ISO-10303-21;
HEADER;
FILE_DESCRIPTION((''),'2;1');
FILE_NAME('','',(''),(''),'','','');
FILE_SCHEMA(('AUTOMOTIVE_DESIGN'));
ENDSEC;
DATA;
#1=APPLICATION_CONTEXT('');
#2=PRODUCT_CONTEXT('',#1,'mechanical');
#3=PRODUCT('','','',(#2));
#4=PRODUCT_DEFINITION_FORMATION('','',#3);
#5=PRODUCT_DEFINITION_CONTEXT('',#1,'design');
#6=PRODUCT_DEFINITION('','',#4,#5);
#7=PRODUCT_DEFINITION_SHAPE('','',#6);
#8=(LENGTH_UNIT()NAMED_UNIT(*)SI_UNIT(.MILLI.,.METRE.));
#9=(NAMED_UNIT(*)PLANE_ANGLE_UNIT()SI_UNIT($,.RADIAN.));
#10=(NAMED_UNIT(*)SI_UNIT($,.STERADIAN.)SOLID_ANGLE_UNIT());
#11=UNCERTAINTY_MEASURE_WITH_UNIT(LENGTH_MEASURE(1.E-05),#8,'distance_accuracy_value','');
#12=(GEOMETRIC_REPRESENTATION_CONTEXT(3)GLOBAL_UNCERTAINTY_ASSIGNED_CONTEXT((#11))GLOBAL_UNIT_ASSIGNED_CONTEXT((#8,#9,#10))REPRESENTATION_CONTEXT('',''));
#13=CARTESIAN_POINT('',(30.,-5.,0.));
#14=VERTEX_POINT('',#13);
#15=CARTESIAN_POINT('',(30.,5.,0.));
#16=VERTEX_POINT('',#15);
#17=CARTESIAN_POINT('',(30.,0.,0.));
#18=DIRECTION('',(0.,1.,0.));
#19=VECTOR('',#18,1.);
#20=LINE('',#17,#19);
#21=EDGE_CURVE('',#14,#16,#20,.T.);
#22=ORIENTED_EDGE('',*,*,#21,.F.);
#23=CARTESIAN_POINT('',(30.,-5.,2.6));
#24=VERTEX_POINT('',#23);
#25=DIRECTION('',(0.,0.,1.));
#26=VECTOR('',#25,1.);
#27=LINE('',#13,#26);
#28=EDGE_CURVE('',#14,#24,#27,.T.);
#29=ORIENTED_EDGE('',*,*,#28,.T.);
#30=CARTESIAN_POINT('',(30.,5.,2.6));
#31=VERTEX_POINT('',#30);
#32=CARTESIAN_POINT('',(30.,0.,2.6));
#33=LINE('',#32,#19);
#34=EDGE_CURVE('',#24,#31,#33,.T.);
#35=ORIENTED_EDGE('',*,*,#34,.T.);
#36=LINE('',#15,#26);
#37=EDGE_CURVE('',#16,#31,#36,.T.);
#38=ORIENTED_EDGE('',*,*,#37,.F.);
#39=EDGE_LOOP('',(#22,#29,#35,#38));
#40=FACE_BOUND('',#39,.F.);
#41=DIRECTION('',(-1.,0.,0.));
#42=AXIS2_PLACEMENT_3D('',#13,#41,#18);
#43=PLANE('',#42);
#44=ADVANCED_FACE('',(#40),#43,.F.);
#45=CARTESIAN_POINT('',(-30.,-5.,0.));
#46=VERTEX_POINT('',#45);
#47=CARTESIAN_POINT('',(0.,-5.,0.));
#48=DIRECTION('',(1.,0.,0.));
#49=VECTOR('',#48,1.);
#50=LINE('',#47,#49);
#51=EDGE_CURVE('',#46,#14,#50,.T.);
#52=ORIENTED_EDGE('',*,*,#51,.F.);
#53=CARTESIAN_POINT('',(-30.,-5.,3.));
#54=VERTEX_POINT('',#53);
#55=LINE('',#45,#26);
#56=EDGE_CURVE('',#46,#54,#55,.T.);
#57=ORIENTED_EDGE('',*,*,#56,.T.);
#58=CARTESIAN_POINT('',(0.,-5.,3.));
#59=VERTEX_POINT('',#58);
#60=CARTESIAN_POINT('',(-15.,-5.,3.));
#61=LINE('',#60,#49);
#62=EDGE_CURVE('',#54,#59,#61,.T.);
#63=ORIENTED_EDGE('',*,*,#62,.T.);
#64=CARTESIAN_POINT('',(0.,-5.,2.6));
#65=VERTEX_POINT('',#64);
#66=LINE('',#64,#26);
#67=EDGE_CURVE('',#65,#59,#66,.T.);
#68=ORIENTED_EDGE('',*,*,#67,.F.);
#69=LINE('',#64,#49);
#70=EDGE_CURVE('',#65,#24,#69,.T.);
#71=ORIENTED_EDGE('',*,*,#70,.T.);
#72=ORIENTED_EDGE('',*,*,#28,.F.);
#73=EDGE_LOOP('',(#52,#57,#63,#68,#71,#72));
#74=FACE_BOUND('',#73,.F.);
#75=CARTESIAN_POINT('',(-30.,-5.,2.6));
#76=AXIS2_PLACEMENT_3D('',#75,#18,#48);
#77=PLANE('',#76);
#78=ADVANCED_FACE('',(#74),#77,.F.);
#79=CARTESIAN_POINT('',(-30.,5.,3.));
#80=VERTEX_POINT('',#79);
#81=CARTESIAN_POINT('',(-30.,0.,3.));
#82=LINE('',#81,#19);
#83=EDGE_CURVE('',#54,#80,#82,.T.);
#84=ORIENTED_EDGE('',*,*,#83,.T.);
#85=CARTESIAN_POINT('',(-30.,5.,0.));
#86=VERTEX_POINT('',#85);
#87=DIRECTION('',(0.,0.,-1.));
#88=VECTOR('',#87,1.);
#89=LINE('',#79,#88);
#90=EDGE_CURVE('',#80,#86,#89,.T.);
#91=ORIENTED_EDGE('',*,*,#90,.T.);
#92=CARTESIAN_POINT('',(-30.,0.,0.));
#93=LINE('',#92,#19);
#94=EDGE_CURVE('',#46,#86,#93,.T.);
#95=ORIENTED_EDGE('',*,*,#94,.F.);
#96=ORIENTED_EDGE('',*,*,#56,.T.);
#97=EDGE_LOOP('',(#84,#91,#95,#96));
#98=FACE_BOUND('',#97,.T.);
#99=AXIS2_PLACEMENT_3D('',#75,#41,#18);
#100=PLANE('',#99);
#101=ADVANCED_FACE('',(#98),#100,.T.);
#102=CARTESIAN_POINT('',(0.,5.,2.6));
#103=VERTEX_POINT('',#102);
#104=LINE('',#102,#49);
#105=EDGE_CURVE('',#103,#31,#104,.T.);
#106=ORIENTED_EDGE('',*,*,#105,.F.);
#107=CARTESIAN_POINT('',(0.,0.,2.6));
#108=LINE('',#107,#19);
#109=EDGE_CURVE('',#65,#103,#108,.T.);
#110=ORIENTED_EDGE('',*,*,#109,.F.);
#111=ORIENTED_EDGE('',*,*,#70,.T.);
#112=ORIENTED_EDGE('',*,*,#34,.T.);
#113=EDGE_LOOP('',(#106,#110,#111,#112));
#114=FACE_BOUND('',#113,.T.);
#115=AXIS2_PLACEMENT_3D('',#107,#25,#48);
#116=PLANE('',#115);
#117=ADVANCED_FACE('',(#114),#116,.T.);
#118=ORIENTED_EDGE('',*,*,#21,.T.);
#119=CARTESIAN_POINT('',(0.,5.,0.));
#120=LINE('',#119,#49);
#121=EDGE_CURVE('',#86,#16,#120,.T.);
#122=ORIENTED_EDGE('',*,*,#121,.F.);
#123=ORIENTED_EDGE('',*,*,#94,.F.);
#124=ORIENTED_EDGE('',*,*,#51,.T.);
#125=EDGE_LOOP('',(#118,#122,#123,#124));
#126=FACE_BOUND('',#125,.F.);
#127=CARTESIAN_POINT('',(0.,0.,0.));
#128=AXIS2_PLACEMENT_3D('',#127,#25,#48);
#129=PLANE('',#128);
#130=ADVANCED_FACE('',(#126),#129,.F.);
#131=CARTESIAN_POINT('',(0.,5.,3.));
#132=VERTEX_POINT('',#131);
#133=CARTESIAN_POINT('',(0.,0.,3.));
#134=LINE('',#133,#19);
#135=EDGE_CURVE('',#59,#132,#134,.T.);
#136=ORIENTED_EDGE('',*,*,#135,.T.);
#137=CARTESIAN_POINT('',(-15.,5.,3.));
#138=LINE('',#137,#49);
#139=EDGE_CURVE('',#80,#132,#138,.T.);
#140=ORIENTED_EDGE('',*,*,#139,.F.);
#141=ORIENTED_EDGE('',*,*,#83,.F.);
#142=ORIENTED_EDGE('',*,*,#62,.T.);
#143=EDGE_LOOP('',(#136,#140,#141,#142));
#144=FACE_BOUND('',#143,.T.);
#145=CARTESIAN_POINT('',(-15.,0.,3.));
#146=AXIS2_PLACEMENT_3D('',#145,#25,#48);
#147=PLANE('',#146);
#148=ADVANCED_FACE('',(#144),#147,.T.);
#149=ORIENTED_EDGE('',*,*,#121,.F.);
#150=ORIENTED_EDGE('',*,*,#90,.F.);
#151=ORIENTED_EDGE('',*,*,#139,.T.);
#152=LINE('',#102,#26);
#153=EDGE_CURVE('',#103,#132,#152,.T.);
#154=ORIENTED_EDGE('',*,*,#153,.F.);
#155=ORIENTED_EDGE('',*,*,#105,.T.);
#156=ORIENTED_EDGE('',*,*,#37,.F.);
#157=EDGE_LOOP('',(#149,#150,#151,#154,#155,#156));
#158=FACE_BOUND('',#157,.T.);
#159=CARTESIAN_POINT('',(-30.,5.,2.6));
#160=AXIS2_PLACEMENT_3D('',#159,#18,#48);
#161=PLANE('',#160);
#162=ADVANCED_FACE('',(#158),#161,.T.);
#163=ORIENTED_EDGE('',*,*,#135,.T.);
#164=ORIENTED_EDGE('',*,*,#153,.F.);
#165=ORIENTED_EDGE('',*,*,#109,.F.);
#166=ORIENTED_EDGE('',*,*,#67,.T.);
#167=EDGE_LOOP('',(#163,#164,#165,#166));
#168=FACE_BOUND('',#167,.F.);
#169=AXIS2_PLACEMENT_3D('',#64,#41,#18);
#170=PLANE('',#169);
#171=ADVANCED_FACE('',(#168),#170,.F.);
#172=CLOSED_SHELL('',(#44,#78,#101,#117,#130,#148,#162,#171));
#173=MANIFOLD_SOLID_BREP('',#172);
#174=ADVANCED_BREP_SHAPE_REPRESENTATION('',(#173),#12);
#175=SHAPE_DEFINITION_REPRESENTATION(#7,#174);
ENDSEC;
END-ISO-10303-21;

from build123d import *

# Parameters (mm, degrees)
SKETCH_W     = 60
SKETCH_H     = 10
PAD_DEPTH    = 2.6
SKETCH001_W  = 30
SKETCH001_H  = 10
PAD001_DEPTH = 0.4


with BuildPart() as part:
    # Sketch (on XY_Plane of Origin) → Pad (new body)
    with BuildSketch(Plane.XY):
        Rectangle(SKETCH_W, SKETCH_H)
    extrude(amount=PAD_DEPTH)

    # Sketch001 (on Face6 of Pad) → Pad001 (join)
    with BuildSketch(Plane.XY.offset(2.6)):
        with Locations((-15, 0)):
            Rectangle(SKETCH001_W, SKETCH001_H)
    extrude(amount=PAD001_DEPTH)


solid = part.part
